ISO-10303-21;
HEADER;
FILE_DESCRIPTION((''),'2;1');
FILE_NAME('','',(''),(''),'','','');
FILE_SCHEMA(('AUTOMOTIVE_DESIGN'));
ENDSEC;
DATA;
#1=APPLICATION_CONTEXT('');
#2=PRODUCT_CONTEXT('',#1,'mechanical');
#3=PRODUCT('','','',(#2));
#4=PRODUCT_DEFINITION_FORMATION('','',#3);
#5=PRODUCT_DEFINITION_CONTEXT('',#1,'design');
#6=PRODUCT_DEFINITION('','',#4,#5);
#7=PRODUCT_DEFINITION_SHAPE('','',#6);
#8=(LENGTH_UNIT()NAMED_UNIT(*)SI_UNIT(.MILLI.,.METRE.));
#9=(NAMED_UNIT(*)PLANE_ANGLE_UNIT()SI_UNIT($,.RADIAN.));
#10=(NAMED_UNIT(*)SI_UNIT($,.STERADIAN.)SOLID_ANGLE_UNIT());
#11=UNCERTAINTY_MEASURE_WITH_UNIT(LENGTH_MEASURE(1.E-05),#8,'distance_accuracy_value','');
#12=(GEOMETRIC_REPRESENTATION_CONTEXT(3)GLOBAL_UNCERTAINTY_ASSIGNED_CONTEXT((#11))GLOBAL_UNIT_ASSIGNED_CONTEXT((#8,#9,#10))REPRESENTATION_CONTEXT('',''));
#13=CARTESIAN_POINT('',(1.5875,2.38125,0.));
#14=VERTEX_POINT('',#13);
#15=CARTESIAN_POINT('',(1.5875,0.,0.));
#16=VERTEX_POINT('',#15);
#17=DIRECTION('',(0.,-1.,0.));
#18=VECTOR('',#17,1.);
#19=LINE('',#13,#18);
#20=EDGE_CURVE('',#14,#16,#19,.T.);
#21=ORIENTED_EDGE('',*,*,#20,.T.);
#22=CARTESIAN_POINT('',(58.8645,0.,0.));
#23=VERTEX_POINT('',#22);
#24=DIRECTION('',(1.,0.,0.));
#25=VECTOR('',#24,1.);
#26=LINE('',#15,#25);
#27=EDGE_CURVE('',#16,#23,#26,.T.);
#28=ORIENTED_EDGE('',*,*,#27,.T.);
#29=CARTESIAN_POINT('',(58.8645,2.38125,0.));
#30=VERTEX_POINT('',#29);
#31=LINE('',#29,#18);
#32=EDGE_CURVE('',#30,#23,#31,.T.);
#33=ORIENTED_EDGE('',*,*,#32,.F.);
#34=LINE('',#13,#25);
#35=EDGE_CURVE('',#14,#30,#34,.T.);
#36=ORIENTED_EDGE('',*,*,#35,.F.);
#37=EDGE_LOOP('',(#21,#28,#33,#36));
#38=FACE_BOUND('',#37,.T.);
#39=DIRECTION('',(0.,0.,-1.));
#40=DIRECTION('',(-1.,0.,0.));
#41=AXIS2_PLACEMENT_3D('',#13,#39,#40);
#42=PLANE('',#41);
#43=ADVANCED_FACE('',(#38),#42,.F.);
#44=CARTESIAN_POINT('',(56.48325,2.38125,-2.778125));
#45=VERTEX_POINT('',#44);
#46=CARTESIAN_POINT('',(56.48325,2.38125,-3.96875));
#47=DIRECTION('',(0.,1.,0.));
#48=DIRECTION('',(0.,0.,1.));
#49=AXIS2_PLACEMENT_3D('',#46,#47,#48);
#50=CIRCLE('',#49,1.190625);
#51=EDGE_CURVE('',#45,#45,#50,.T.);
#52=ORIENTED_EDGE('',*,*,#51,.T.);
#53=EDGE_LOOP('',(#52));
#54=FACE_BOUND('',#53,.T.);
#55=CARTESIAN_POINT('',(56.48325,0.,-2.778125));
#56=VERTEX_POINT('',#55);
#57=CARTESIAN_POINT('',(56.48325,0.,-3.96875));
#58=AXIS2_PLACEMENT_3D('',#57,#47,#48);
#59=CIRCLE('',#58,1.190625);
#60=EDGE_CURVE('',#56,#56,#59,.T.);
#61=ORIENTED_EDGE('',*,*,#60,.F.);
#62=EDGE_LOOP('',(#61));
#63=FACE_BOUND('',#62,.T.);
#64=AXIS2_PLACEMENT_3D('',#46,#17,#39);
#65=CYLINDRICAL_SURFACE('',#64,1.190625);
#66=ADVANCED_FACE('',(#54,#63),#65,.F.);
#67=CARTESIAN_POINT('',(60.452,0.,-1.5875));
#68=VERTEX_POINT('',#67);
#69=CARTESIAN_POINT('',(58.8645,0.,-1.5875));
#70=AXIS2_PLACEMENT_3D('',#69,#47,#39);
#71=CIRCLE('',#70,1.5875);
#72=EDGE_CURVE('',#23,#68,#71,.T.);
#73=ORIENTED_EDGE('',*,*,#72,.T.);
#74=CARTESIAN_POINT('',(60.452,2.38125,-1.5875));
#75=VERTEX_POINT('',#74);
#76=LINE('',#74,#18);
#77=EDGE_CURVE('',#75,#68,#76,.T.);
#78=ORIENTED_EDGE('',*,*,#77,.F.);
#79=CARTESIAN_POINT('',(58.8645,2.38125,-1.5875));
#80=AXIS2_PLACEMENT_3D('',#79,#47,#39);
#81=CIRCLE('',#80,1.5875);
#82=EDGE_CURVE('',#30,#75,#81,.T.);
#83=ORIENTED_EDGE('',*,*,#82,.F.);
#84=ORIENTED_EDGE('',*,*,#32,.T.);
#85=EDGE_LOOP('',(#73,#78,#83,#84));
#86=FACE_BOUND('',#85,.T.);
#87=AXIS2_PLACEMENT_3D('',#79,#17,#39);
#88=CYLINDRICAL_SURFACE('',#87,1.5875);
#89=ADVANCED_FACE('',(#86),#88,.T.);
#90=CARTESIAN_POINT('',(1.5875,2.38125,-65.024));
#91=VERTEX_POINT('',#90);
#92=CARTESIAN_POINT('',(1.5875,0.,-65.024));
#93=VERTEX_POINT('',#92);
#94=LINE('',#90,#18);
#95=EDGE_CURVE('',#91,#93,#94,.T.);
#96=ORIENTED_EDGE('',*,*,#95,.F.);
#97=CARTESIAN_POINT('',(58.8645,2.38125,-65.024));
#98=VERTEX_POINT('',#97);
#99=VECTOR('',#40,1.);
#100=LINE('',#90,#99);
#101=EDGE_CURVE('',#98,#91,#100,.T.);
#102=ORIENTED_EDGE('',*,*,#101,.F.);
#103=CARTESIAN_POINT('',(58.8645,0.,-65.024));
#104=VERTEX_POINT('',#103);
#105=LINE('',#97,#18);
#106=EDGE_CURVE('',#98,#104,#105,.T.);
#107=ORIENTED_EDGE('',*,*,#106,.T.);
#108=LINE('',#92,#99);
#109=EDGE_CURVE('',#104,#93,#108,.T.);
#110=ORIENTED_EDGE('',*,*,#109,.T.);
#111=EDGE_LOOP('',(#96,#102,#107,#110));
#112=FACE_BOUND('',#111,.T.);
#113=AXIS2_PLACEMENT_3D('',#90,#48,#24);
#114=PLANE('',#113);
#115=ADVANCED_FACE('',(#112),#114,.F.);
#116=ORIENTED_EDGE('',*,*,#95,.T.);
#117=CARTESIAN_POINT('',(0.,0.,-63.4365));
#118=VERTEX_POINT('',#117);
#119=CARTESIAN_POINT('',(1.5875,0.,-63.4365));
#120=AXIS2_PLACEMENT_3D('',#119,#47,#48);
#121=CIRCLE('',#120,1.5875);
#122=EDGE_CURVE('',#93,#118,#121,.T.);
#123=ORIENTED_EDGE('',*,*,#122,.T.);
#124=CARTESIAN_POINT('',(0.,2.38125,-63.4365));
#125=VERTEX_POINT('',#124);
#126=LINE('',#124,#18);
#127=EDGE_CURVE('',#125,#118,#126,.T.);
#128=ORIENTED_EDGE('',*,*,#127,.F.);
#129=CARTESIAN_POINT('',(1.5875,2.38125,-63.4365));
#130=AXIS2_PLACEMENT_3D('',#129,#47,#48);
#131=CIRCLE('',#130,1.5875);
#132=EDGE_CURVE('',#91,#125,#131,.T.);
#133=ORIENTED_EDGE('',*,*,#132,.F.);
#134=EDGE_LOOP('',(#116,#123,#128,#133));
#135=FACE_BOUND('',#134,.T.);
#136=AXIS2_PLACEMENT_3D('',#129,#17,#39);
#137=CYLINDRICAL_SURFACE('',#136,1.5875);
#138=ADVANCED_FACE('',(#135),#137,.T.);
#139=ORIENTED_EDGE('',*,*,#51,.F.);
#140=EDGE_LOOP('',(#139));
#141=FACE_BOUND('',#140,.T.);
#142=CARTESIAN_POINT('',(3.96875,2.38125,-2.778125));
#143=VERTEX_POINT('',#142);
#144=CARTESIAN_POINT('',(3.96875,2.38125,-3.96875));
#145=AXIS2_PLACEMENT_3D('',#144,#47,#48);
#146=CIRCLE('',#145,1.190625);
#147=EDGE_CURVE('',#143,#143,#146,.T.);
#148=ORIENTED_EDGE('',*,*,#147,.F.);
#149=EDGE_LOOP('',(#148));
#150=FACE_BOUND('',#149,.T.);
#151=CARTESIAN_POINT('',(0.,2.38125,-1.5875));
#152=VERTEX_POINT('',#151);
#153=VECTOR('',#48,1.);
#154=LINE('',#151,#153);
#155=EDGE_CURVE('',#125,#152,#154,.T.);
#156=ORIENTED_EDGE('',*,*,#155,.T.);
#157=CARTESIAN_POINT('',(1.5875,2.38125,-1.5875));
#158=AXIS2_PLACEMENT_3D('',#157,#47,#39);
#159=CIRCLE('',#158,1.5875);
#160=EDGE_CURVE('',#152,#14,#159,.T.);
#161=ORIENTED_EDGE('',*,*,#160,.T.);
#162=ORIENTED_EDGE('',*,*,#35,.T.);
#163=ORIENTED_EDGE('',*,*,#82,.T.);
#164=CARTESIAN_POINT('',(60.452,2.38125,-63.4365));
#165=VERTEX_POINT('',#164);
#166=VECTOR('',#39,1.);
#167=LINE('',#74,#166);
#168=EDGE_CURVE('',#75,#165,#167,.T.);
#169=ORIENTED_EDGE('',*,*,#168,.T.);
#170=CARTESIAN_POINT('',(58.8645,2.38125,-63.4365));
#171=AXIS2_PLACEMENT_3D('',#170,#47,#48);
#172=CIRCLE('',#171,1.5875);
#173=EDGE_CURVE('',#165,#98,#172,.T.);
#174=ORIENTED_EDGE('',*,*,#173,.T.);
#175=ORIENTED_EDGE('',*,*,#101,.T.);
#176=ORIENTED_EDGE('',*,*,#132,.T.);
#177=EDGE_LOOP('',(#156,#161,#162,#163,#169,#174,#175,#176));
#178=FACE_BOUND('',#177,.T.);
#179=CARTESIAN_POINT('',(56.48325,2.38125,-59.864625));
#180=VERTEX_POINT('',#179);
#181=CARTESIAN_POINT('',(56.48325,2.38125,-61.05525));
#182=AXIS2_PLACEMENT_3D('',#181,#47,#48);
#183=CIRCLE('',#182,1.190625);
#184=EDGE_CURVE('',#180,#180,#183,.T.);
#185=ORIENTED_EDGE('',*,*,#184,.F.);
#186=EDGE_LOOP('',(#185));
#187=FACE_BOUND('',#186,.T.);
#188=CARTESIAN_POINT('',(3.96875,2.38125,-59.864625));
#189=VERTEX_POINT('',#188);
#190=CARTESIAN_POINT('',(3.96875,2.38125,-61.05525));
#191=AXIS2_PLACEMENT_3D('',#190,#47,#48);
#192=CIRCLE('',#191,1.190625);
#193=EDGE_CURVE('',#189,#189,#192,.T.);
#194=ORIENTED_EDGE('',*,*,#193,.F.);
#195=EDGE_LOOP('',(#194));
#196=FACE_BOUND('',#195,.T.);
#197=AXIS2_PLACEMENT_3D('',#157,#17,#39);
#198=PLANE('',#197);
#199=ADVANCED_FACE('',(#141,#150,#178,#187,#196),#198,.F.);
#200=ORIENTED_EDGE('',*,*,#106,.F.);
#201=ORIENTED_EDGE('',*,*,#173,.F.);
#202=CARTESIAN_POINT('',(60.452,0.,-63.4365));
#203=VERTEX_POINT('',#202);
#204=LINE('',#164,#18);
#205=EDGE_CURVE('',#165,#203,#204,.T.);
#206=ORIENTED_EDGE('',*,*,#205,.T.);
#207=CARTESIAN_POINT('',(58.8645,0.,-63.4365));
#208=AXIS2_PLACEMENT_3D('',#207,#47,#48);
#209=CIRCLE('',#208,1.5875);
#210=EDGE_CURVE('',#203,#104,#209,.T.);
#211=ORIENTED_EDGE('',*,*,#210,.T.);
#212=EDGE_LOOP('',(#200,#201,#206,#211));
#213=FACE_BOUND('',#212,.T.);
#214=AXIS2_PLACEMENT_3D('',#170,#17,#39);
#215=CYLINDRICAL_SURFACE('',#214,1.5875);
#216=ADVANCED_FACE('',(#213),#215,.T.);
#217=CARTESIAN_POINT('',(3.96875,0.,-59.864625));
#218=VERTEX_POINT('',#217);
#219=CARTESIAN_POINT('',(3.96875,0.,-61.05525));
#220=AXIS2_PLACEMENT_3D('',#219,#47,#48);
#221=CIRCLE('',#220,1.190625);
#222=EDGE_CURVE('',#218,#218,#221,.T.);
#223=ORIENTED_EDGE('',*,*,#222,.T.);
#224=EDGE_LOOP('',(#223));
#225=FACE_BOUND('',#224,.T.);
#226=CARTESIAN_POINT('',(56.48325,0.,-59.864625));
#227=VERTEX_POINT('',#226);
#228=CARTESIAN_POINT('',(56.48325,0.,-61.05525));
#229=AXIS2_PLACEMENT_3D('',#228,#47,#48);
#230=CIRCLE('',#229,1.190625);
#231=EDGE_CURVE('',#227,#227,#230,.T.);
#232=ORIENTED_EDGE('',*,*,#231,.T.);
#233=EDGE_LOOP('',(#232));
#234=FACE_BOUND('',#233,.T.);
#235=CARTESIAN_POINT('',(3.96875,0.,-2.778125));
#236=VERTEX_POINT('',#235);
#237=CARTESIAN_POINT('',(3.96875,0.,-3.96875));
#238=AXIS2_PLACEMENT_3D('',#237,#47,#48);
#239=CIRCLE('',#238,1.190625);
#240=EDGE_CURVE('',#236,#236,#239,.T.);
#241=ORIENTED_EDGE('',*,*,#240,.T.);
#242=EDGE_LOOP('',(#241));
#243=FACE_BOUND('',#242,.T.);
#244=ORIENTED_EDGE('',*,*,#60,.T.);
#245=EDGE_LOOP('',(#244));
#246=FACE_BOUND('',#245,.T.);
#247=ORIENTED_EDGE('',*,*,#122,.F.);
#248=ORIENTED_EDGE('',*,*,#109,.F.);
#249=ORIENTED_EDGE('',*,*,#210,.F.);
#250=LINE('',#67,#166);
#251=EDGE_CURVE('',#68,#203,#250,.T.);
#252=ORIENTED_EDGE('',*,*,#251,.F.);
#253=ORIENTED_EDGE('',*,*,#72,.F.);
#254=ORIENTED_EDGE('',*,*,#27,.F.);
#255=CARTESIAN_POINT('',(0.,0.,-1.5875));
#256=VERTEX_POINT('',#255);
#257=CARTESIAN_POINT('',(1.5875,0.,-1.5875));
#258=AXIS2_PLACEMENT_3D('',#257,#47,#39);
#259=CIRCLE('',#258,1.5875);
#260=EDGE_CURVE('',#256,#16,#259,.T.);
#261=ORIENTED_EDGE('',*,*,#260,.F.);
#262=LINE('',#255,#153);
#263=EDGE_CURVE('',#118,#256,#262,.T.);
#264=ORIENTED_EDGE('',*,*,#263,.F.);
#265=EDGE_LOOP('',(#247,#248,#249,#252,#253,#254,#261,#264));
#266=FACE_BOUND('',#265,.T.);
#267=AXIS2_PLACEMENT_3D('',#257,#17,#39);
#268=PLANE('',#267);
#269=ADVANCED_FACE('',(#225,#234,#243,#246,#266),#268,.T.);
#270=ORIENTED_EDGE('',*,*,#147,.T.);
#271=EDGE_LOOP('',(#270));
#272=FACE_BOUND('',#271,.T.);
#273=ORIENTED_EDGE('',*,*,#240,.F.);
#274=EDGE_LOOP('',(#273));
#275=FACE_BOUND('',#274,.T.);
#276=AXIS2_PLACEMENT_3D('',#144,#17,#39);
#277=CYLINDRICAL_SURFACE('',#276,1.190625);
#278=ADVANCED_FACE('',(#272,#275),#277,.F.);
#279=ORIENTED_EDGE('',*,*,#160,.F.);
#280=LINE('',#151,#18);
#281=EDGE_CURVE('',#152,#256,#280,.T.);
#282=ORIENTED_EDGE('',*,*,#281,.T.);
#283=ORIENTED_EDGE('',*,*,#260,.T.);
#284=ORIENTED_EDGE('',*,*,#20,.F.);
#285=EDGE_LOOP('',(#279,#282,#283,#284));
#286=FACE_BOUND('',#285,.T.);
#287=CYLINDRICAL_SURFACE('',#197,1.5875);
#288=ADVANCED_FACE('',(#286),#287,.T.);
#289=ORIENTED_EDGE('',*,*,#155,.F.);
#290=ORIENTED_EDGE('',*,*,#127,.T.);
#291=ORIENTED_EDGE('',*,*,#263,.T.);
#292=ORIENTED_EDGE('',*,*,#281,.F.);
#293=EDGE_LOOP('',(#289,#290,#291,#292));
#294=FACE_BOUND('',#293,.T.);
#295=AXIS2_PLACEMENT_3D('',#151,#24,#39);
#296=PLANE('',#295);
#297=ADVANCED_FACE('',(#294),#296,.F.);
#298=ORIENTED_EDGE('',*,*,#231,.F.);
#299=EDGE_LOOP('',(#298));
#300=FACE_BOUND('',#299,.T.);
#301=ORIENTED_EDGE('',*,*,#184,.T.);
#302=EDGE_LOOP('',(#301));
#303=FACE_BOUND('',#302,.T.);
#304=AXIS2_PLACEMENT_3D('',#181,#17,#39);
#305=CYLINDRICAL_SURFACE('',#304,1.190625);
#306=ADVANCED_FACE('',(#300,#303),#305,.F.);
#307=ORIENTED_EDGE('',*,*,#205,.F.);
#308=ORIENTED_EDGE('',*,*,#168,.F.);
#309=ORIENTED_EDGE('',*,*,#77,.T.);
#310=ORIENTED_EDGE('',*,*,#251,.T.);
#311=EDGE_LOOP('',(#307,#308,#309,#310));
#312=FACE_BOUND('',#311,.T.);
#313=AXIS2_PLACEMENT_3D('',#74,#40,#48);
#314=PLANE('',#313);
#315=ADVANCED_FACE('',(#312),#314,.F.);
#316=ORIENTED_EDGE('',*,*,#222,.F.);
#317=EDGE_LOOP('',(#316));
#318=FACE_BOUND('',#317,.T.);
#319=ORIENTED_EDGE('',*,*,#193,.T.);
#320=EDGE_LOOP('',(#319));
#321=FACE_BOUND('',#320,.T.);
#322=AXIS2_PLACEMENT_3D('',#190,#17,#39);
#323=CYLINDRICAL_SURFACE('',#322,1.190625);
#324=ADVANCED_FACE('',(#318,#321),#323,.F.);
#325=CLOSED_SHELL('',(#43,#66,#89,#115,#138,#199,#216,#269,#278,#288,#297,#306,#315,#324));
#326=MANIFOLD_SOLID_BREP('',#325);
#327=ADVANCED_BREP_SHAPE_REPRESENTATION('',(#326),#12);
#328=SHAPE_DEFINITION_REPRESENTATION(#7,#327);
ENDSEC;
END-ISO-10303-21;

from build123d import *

# Parameters (mm, degrees)
SKETCH1_R           = 1.190625
BOSS_EXTRUDE1_DEPTH = 2.38125


with BuildPart() as part:
    # Sketch1 → Boss-Extrude1 (new body)
    with BuildSketch(Plane(origin=(0, 0, 0), x_dir=(1, 0, 0), z_dir=(0, 1, 0))):
        with BuildLine():
            Line((1.5875, 0), (58.8645, 0))
            ThreePointArc((58.8645, 0), (59.987032015, 0.464967985), (60.452, 1.5875))
            Line((60.452, 1.5875), (60.452, 63.4365))
            ThreePointArc((60.452, 63.4365), (59.987032015, 64.559032015), (58.8645, 65.024))
            Line((58.8645, 65.024), (1.5875, 65.024))
            ThreePointArc((1.5875, 65.024), (0.464967985, 64.559032015), (0, 63.4365))
            Line((0, 63.4365), (0, 1.5875))
            ThreePointArc((0, 1.5875), (0.464967985, 0.464967985), (1.5875, 0))
        make_face()
        with Locations((3.96875, 3.96875)):
            Circle(SKETCH1_R, mode=Mode.SUBTRACT)
        with Locations((3.96875, 61.05525)):
            Circle(SKETCH1_R, mode=Mode.SUBTRACT)
        with Locations((56.48325, 61.05525)):
            Circle(SKETCH1_R, mode=Mode.SUBTRACT)
        with Locations((56.48325, 3.96875)):
            Circle(SKETCH1_R, mode=Mode.SUBTRACT)
    extrude(amount=BOSS_EXTRUDE1_DEPTH)


solid = part.part
